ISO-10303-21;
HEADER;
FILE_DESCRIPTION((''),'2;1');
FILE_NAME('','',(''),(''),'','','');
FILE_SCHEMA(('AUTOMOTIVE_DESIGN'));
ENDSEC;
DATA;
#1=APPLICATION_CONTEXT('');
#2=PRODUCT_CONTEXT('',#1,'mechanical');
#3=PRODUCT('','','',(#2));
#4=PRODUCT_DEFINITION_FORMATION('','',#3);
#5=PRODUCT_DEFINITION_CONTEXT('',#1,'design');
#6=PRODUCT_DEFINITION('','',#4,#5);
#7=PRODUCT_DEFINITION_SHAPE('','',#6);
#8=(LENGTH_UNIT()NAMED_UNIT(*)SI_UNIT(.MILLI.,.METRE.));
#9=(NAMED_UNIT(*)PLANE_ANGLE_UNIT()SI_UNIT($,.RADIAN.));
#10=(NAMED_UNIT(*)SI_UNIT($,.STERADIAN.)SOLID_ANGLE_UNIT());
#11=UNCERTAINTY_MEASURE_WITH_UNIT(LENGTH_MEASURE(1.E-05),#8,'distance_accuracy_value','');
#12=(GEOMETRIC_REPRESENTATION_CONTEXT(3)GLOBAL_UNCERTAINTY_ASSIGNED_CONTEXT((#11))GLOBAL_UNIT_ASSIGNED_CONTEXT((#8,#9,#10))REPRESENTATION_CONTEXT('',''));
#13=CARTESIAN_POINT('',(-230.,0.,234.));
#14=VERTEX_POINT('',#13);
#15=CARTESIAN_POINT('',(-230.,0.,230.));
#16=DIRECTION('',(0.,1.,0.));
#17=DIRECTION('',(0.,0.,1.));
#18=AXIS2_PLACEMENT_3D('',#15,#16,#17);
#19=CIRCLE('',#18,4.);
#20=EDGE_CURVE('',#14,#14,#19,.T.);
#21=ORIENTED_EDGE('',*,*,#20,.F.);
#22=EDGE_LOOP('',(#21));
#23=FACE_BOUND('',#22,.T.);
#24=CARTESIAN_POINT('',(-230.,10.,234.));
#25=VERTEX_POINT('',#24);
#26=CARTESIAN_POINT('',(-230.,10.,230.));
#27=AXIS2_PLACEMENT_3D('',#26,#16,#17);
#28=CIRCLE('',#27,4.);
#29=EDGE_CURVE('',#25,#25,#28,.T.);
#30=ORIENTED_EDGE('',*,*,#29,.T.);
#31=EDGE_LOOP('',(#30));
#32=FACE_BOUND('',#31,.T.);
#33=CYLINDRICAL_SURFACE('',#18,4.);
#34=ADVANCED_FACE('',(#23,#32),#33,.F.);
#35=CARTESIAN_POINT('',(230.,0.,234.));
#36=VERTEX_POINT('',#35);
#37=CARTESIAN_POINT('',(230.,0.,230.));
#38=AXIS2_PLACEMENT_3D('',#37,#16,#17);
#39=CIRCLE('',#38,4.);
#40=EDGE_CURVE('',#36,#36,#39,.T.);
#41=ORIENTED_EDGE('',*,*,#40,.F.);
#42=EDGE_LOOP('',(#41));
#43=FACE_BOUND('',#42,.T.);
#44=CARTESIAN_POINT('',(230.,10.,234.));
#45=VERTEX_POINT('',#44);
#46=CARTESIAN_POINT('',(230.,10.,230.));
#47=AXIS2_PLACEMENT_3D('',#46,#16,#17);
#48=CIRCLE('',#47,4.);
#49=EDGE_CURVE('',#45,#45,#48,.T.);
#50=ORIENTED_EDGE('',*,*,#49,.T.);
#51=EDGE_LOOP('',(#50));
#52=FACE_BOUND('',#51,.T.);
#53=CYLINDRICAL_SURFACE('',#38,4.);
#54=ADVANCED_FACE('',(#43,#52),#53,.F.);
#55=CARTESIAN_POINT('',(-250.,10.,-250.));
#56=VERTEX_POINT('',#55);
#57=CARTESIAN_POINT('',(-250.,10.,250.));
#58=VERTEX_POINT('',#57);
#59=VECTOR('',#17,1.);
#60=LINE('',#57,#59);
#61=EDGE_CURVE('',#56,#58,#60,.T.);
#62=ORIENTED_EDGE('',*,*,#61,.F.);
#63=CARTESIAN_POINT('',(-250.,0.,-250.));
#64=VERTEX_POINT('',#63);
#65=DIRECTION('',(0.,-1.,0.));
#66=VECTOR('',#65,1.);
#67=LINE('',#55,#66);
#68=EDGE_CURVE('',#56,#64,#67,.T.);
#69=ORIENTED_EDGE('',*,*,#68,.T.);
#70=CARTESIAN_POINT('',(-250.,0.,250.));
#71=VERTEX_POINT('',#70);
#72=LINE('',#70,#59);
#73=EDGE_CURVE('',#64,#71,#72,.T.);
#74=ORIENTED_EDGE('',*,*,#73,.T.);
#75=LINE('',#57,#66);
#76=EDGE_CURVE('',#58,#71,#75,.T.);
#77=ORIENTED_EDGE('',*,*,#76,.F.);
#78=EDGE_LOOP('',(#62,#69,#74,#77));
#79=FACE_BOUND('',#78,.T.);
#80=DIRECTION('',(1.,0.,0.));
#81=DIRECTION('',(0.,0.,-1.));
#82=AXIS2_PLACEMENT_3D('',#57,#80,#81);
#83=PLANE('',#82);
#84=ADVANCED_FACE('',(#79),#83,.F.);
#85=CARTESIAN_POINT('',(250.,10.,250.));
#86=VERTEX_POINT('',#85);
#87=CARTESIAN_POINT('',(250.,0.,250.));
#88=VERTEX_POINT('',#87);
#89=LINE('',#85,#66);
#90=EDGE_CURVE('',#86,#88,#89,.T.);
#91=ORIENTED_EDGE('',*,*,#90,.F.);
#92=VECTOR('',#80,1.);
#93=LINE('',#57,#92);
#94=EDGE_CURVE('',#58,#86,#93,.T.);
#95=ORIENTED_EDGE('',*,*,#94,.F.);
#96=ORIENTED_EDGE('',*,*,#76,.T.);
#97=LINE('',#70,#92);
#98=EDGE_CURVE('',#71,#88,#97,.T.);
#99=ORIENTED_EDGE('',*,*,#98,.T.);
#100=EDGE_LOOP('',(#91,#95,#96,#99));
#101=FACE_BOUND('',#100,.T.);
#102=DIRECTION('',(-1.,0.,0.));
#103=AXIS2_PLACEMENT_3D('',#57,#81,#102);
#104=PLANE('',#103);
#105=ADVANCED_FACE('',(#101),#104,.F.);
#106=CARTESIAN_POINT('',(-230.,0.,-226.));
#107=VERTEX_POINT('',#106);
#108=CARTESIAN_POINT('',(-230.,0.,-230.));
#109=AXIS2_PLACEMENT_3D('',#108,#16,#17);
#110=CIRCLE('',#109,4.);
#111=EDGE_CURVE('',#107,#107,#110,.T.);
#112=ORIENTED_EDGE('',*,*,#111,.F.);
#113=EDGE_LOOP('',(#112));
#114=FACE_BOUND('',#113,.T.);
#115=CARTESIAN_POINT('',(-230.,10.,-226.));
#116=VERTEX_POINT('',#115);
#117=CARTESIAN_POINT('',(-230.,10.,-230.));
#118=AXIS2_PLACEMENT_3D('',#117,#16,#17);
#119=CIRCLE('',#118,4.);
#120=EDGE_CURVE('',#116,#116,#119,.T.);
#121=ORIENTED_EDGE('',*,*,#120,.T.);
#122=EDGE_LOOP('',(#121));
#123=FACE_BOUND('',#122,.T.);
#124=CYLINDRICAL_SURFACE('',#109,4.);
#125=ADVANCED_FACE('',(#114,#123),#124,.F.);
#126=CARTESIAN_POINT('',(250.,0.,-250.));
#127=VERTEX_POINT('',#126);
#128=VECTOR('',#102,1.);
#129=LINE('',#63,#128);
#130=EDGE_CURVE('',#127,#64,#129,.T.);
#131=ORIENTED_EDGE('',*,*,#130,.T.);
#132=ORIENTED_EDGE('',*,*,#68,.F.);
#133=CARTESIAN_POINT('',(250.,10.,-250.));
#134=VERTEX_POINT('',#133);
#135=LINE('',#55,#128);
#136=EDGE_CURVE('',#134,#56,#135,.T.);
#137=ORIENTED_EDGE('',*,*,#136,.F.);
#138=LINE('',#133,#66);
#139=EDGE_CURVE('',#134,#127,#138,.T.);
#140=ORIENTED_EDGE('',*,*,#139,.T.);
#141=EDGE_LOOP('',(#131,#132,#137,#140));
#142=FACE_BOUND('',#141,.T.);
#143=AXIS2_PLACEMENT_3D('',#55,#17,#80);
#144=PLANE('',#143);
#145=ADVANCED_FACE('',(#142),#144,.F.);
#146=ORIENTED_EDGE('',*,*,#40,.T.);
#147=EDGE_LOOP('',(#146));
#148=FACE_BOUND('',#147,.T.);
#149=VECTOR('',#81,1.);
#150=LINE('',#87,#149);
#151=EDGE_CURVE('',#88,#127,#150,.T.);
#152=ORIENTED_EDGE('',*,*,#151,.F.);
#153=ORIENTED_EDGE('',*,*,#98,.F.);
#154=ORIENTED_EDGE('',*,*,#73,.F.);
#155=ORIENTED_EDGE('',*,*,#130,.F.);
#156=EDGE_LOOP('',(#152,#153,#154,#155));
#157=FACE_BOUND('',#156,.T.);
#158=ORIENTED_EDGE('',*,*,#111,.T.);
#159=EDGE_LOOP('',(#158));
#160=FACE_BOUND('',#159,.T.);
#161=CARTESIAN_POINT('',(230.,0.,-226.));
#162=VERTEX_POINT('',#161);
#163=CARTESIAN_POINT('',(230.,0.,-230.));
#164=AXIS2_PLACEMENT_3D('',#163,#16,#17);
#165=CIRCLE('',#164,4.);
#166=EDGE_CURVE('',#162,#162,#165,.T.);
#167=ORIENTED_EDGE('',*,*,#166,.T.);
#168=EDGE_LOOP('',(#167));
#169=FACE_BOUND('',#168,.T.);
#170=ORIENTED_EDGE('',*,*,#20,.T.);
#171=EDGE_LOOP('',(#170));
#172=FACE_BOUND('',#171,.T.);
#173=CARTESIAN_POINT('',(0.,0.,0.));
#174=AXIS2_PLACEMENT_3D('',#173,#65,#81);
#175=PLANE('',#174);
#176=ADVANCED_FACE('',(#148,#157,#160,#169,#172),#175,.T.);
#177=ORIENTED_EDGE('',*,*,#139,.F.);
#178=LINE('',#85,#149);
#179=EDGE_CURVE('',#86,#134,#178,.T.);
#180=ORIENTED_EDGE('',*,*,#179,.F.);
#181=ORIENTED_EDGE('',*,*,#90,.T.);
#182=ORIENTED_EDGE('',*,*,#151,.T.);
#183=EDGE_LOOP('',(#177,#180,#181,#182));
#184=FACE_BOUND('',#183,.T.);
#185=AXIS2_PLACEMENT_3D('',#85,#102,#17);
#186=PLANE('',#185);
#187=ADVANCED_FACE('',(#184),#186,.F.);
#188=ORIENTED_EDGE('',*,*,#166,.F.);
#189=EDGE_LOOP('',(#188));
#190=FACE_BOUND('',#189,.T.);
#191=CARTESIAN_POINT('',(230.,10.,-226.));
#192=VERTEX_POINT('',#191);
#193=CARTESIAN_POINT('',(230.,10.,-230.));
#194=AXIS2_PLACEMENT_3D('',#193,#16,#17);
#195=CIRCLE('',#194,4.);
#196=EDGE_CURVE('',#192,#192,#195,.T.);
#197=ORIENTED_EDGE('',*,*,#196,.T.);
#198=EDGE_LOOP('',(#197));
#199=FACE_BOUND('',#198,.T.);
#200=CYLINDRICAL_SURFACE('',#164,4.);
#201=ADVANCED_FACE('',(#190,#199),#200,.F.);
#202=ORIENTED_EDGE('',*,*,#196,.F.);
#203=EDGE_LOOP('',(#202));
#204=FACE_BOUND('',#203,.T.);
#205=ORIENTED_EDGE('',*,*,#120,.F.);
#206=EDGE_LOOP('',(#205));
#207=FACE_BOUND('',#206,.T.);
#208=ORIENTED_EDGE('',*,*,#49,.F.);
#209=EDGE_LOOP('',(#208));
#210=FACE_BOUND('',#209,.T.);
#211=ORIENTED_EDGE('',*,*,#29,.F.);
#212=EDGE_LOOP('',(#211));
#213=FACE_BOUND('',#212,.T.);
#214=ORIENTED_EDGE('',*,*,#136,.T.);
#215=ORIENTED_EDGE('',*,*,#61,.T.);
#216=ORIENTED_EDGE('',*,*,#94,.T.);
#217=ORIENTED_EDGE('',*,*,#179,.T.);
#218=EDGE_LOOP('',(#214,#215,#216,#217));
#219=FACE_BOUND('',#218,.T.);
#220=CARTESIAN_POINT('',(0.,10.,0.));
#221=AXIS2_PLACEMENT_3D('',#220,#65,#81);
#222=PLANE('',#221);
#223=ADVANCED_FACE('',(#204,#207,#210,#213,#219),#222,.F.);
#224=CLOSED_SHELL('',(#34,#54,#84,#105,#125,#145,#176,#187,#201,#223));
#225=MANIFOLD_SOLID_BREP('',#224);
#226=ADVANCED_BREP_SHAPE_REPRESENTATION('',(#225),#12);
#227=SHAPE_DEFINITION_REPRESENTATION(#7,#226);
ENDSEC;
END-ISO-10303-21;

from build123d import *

# Parameters (mm, degrees)
SZKIC1_W                    = 500
SZKIC1_H                    = 500
DODANIE_WYCI_GNI_CIE1_DEPTH = 10
SZKIC2_R                    = 4
WYTNIJ_WYCI_GNI_CIE1_DEPTH  = 354.694783677


with BuildPart() as part:
    # Szkic1 → Dodanie-wyciągnięcie1 (new body)
    with BuildSketch(Plane(origin=(0, 0, 0), x_dir=(1, 0, 0), z_dir=(0, 1, 0))):
        Rectangle(SZKIC1_W, SZKIC1_H)
    extrude(amount=DODANIE_WYCI_GNI_CIE1_DEPTH)

    # Szkic2 → Wytnij-wyciągnięcie1 (cut, through all)
    with BuildSketch(Plane(origin=(0, 10, 0), x_dir=(1, 0, 0), z_dir=(0, 1, 0))):
        with Locations(Location((-230, 230, 0), (0, 0, 270))):
            Circle(SZKIC2_R)
        with Locations(Location((230, 230, 0), (0, 0, 270))):
            Circle(SZKIC2_R)
        with Locations(Location((230, -230, 0), (0, 0, 270))):
            Circle(SZKIC2_R)
        with Locations(Location((-230, -230, 0), (0, 0, 270))):
            Circle(SZKIC2_R)
    extrude(amount=-WYTNIJ_WYCI_GNI_CIE1_DEPTH, mode=Mode.SUBTRACT)


solid = part.part
